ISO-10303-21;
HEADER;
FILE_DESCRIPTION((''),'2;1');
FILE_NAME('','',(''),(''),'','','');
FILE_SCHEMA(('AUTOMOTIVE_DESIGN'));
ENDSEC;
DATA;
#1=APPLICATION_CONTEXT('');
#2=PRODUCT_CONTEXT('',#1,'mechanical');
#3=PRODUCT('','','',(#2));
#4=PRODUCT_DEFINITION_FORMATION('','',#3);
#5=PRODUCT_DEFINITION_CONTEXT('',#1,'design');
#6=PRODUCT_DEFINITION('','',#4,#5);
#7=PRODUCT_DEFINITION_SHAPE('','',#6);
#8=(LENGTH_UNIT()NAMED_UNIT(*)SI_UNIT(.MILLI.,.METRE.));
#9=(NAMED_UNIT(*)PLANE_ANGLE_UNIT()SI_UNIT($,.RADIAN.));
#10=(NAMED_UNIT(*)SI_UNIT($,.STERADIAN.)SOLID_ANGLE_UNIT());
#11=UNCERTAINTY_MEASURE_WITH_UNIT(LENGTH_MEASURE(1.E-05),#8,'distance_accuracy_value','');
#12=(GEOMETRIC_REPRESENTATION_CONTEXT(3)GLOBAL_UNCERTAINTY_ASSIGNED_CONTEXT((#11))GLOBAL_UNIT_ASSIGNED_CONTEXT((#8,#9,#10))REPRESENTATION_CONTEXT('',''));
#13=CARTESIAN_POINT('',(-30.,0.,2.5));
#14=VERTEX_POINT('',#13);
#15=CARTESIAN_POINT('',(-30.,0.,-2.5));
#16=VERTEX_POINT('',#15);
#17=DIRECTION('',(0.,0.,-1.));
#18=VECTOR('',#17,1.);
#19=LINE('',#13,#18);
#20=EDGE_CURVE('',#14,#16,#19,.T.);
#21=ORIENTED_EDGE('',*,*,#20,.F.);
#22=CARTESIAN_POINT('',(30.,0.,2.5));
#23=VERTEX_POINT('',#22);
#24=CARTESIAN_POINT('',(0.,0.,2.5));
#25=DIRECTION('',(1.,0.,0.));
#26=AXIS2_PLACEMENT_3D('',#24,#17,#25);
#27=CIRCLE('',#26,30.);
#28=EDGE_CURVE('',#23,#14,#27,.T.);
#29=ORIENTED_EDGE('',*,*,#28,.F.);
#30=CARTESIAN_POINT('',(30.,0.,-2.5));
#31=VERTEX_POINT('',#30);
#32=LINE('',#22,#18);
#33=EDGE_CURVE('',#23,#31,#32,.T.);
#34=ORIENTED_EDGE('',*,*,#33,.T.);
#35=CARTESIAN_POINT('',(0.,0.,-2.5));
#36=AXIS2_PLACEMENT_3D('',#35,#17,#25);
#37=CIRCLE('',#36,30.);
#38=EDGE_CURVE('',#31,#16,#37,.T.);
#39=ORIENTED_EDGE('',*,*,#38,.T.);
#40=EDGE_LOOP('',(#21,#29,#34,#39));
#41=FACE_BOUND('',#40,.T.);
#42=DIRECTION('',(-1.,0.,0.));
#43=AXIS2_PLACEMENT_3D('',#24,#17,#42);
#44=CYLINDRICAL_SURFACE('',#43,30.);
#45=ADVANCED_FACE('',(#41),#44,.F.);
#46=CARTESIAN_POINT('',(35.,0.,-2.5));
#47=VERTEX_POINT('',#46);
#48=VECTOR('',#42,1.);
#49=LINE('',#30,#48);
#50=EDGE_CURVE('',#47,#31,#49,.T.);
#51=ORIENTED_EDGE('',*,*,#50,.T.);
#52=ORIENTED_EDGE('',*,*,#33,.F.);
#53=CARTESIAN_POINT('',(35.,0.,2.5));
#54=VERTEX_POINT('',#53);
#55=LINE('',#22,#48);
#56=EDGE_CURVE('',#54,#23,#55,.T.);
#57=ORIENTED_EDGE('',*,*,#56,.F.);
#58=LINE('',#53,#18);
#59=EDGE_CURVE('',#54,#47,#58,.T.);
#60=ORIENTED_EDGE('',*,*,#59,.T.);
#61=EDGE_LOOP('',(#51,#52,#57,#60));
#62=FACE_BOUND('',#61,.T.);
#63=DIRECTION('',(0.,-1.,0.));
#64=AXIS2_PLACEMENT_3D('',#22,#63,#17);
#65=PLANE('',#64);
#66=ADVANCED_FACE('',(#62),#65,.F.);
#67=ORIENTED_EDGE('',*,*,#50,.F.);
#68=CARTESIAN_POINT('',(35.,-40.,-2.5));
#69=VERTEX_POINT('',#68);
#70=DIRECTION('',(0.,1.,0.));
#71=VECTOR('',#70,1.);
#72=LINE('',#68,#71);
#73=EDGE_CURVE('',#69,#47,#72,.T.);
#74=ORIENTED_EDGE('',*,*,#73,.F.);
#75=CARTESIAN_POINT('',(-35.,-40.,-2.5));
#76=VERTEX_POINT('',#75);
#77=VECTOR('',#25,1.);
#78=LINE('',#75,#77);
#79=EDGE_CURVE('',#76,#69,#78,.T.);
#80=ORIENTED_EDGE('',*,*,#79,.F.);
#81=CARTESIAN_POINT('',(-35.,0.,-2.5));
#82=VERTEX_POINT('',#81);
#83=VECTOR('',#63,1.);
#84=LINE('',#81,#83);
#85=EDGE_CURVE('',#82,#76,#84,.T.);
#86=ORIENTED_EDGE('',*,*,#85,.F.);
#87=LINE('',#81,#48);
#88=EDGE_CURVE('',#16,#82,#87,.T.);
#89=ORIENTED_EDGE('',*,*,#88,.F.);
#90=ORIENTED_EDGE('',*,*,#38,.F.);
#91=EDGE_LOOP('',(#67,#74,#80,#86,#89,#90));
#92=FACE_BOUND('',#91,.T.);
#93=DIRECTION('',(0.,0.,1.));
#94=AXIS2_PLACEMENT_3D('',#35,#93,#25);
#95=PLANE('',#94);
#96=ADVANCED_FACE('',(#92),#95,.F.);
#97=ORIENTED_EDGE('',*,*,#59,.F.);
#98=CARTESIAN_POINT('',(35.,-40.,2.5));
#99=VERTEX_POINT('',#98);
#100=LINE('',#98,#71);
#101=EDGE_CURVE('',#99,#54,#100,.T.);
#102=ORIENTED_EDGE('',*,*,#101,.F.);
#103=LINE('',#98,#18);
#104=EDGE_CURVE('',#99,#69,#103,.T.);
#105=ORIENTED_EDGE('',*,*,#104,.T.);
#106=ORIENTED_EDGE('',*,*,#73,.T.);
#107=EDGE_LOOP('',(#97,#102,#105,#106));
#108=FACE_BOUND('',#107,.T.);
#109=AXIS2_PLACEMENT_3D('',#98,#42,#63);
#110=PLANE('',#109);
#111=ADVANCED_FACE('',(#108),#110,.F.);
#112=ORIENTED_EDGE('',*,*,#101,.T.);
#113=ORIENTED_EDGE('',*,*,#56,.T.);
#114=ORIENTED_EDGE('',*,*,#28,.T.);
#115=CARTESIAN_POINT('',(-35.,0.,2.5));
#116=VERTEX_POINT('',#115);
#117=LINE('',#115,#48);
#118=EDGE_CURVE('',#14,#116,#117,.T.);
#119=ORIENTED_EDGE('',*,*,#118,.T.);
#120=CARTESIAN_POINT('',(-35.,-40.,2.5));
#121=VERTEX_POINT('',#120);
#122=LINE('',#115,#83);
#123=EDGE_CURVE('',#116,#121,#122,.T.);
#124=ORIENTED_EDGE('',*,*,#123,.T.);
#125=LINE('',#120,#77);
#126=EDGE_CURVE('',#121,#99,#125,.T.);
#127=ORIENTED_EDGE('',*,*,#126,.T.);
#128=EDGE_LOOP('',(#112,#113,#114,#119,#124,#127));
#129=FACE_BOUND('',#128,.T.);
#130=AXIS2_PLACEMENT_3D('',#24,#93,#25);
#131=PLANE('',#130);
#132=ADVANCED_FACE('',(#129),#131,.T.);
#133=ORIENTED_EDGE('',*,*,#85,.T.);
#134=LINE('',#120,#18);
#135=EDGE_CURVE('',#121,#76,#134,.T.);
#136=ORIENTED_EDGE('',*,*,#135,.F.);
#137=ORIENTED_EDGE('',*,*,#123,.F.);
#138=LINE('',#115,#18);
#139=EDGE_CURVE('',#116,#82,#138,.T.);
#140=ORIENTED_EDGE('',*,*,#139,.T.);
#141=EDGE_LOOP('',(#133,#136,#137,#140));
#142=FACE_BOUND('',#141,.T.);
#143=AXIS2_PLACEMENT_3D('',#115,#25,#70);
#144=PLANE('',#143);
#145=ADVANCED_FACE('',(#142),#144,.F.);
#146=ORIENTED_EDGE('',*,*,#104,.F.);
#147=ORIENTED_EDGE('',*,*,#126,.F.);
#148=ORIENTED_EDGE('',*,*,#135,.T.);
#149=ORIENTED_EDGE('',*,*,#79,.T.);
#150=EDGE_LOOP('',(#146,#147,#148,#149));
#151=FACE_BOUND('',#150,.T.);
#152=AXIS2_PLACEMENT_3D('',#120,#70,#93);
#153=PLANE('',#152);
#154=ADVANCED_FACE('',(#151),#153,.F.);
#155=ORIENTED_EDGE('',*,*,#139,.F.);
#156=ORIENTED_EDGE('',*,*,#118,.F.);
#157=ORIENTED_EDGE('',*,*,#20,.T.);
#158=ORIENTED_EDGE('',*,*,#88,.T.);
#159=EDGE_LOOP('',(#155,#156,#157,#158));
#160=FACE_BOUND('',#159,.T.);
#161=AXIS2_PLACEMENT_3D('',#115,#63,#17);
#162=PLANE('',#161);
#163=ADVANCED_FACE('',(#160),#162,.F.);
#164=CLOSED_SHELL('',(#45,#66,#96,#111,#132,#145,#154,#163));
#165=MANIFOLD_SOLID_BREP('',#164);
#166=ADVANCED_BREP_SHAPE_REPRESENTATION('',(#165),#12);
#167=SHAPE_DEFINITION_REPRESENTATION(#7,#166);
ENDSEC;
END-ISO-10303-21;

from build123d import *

# Parameters (mm, degrees)
BOSS_EXTRUDE1_DEPTH = 2.5


with BuildPart() as part:
    # Sketch1 → Boss-Extrude1 (new, symmetric)
    with BuildSketch(Plane.XY):
        with BuildLine():
            Line((-35, 0), (-35, -40))
            Line((-35, -40), (35, -40))
            Line((35, -40), (35, 0))
            Line((35, 0), (30, 0))
            ThreePointArc((30, 0), (0, -30), (-30, 0))
            Line((-30, 0), (-35, 0))
        make_face()
    extrude(amount=BOSS_EXTRUDE1_DEPTH, both=True)


solid = part.part
